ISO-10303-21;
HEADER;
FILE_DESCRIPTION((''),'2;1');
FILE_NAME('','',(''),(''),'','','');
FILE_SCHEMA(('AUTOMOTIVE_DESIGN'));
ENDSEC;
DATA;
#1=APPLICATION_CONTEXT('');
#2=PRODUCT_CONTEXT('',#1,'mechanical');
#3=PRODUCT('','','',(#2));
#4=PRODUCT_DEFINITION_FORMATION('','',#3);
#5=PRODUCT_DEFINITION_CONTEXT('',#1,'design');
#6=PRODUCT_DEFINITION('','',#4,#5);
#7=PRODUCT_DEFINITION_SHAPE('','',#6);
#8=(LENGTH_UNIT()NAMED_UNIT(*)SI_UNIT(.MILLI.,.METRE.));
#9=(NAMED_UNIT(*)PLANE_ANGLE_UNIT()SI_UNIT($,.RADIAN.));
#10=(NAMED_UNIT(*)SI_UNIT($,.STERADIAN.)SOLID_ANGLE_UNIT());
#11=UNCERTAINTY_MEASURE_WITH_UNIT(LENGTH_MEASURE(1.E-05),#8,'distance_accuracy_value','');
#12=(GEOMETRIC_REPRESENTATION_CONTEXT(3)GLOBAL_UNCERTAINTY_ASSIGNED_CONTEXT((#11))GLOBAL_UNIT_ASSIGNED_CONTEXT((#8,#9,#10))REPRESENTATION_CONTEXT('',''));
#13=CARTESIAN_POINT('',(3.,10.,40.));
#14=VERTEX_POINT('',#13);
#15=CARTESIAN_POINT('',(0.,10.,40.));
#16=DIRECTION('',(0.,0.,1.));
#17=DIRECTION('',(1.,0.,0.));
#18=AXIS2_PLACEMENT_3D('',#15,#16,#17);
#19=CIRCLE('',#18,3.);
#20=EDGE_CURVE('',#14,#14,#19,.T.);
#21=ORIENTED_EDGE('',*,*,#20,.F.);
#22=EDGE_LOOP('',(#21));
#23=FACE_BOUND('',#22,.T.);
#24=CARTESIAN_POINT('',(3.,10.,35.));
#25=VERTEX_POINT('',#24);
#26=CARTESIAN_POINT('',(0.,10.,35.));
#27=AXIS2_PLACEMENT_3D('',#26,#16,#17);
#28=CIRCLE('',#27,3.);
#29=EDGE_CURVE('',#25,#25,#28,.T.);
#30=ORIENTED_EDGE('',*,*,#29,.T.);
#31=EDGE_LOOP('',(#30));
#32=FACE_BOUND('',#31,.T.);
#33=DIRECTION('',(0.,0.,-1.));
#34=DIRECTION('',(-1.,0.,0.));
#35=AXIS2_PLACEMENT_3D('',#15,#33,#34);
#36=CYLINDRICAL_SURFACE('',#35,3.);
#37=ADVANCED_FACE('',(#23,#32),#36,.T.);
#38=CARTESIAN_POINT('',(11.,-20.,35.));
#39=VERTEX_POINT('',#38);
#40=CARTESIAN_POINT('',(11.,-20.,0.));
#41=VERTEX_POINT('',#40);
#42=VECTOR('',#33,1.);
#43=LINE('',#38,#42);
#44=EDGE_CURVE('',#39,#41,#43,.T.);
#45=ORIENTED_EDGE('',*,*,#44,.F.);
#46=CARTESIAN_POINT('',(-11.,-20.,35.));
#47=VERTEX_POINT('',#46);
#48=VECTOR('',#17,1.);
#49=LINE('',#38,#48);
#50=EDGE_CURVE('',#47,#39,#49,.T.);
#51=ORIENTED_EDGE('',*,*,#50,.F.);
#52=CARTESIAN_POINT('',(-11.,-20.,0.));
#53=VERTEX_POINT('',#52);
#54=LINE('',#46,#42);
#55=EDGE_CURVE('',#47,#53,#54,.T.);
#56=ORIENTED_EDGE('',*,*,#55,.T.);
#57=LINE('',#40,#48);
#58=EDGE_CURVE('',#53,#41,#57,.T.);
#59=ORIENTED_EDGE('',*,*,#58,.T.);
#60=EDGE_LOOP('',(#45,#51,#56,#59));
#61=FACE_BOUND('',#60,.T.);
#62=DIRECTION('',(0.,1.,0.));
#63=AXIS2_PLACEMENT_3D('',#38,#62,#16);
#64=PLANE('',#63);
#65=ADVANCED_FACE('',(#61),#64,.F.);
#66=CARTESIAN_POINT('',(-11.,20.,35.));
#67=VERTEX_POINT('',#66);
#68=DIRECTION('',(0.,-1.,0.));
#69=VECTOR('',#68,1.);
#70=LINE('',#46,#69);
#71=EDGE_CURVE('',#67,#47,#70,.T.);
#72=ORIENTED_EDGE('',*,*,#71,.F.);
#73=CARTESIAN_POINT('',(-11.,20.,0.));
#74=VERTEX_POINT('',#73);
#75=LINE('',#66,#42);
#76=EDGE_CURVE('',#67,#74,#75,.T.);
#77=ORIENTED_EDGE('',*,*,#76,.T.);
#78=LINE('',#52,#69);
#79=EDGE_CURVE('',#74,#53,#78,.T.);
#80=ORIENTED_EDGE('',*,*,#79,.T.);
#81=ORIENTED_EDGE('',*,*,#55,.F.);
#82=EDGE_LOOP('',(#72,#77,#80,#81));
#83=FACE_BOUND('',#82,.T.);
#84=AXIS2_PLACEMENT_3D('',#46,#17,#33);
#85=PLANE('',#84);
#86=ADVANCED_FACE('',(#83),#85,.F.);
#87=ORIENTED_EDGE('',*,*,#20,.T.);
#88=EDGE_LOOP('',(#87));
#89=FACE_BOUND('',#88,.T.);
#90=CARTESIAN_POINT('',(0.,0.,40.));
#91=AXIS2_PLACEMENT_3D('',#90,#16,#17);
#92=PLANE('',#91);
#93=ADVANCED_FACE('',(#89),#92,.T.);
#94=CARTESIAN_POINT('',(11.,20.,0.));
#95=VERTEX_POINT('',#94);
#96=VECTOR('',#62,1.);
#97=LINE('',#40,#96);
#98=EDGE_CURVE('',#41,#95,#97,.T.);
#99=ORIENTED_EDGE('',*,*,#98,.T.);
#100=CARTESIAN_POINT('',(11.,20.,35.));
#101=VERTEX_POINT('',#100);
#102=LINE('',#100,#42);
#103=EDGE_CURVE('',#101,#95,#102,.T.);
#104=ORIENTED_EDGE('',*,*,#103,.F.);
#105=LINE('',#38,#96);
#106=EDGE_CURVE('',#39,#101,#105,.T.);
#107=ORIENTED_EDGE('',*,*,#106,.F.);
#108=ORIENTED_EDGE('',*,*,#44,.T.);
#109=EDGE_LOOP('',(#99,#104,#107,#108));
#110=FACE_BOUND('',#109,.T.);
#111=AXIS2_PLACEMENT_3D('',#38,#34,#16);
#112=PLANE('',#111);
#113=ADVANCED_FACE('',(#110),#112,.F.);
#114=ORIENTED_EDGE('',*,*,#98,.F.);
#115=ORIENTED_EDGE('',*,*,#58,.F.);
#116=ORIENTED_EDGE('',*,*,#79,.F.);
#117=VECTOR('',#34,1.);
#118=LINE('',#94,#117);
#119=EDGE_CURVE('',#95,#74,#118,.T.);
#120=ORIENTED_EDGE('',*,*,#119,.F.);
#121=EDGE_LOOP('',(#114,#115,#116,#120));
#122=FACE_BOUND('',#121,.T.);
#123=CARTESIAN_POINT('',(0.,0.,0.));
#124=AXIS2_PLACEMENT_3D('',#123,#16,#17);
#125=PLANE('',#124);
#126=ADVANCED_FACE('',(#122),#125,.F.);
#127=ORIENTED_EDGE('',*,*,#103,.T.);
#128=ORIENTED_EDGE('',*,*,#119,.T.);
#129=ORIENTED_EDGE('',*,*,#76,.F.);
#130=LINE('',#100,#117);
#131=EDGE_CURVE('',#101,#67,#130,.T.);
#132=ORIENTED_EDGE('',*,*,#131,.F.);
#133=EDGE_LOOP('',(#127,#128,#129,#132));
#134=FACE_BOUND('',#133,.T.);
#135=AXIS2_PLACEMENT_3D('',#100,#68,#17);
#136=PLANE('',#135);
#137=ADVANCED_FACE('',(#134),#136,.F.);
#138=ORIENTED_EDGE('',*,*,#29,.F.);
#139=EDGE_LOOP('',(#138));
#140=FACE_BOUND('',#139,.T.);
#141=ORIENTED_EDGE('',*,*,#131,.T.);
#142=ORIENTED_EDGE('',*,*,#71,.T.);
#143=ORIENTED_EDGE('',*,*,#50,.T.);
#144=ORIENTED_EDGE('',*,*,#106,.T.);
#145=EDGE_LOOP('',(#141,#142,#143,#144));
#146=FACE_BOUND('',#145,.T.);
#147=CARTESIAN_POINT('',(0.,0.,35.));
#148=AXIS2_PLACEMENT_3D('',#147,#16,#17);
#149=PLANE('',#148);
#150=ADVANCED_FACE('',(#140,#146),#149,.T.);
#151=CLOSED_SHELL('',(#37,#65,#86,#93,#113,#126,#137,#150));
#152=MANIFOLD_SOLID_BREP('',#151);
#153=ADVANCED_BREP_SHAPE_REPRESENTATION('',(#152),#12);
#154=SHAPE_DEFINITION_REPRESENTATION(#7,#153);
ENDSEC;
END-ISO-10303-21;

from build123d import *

# Parameters (mm, degrees)
SKETCH1_W           = 22
SKETCH1_H           = 40
SKETCH1_R           = 3
BOSS_EXTRUDE1_DEPTH = 35
SKETCH1_2_R         = 3
BOSS_EXTRUDE2_DEPTH = 40


with BuildPart() as part:
    # Sketch1 → Boss-Extrude1 (new body)
    with BuildSketch(Plane.XY):
        Rectangle(SKETCH1_W, SKETCH1_H)
        with Locations((0, 10)):
            Circle(SKETCH1_R, mode=Mode.SUBTRACT)
    extrude(amount=BOSS_EXTRUDE1_DEPTH)

    # Sketch1<2> → Boss-Extrude2 (add)
    with BuildSketch(Plane.XY):
        with Locations((0, 10)):
            Circle(SKETCH1_2_R)
    extrude(amount=BOSS_EXTRUDE2_DEPTH)


solid = part.part
